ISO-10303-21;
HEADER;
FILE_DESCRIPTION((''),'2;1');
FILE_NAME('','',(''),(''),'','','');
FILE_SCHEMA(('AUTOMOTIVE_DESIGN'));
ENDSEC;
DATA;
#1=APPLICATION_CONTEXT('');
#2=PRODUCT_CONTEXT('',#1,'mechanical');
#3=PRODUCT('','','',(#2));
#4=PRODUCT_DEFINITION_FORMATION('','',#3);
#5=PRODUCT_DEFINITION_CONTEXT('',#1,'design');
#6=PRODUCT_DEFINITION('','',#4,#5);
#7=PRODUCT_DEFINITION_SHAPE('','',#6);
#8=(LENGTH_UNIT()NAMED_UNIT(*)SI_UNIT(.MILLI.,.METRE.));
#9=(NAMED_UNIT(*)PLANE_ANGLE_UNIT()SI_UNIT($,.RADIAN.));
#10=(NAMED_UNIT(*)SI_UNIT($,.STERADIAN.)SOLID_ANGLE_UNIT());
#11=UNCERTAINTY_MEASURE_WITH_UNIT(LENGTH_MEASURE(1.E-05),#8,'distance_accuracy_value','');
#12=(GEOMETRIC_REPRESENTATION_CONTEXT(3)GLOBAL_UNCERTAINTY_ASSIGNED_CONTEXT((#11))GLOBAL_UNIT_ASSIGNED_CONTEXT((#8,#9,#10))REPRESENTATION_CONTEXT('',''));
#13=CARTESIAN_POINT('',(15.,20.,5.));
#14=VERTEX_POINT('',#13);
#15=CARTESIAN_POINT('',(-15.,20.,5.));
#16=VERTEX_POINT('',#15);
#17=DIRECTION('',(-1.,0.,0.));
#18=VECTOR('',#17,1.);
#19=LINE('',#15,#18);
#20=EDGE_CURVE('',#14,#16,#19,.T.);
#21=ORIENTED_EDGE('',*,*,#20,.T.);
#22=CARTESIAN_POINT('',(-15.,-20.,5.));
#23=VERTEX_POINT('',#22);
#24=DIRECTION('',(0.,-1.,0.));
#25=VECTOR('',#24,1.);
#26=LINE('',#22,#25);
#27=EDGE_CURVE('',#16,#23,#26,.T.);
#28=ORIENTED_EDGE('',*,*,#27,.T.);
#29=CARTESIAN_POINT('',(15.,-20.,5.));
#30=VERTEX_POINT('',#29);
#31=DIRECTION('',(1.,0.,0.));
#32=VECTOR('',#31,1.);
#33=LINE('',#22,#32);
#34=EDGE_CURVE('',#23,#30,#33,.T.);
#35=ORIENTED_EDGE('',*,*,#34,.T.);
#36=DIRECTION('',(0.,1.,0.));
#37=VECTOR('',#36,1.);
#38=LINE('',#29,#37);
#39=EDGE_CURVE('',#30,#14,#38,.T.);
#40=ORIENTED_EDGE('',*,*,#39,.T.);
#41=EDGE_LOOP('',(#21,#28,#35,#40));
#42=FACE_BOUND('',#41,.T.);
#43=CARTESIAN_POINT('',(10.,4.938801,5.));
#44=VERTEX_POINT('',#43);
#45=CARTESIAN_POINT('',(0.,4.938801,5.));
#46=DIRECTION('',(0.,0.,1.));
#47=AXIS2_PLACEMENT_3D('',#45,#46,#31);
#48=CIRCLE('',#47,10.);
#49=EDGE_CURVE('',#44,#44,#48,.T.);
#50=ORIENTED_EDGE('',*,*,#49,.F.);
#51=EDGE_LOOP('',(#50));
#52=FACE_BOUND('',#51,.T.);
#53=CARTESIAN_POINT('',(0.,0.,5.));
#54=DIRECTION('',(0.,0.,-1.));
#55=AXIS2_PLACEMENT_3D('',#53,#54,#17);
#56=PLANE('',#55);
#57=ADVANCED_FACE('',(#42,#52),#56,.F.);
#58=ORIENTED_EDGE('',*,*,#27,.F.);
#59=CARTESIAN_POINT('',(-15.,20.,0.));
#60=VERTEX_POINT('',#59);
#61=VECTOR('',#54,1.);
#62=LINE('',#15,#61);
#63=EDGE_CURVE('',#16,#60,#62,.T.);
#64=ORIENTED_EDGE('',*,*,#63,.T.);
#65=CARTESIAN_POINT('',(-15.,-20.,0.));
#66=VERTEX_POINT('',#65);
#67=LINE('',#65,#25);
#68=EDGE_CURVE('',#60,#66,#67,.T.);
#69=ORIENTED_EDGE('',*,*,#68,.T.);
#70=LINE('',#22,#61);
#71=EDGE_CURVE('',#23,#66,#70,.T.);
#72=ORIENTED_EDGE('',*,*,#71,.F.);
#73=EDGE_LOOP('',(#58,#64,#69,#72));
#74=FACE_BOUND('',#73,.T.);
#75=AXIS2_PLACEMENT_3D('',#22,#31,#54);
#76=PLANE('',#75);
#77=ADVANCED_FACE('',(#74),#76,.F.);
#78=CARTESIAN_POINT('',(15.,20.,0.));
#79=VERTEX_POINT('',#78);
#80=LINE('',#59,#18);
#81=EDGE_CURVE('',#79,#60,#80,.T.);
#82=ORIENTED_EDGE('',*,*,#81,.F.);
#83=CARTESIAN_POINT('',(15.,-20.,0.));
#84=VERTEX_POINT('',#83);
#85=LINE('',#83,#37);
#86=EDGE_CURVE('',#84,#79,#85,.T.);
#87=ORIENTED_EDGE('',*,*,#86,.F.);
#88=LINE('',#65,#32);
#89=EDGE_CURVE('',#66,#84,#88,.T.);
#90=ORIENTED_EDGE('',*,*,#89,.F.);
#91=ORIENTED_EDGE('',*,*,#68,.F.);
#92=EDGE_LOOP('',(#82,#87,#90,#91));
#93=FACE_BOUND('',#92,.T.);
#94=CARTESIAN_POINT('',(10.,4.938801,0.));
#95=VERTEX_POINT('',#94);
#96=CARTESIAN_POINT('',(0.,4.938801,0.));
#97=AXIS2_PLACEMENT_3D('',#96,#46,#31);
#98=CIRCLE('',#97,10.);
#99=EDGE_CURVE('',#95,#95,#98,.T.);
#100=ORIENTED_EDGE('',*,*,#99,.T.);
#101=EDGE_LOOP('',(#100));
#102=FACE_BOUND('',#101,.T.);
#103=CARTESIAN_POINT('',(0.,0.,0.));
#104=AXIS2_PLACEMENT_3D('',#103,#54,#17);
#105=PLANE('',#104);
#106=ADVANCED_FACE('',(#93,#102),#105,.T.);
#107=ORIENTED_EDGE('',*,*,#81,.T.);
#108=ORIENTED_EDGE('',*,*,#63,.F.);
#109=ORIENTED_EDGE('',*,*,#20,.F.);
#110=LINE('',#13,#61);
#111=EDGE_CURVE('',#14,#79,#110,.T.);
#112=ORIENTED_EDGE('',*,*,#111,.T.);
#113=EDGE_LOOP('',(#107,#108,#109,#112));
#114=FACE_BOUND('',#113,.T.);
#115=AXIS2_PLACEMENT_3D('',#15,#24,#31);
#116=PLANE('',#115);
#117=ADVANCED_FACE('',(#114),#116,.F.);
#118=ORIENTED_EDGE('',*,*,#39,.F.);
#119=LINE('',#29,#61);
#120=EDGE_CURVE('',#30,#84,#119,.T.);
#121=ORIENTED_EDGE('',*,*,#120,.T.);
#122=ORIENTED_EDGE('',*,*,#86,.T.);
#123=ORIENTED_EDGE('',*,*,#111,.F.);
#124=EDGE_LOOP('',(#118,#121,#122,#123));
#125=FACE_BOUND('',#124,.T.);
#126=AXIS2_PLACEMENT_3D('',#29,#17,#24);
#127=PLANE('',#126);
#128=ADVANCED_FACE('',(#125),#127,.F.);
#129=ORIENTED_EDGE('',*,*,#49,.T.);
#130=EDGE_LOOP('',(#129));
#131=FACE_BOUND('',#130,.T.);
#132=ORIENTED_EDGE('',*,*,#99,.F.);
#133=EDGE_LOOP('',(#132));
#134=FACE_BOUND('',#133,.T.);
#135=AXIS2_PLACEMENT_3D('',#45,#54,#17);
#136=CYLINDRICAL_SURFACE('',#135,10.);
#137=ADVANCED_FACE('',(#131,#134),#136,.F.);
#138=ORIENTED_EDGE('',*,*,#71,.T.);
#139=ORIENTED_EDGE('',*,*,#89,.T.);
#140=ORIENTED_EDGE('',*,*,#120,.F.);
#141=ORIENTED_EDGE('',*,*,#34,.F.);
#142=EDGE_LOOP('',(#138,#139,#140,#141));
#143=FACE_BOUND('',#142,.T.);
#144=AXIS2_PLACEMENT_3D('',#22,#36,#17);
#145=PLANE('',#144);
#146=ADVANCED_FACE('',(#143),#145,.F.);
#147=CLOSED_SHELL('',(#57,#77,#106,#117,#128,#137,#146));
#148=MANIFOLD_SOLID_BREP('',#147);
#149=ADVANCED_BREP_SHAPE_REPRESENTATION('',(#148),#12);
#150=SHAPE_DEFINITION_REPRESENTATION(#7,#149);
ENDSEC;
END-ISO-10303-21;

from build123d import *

# Parameters (mm, degrees)
SKETCH1_W           = 30
SKETCH1_H           = 40
SKETCH1_R           = 10
BOSS_EXTRUDE1_DEPTH = 5


with BuildPart() as part:
    # Sketch1 → Boss-Extrude1 (new body)
    with BuildSketch(Plane.XY):
        Rectangle(SKETCH1_W, SKETCH1_H)
        with Locations((0, 4.938800777)):
            Circle(SKETCH1_R, mode=Mode.SUBTRACT)
    extrude(amount=BOSS_EXTRUDE1_DEPTH)


solid = part.part
